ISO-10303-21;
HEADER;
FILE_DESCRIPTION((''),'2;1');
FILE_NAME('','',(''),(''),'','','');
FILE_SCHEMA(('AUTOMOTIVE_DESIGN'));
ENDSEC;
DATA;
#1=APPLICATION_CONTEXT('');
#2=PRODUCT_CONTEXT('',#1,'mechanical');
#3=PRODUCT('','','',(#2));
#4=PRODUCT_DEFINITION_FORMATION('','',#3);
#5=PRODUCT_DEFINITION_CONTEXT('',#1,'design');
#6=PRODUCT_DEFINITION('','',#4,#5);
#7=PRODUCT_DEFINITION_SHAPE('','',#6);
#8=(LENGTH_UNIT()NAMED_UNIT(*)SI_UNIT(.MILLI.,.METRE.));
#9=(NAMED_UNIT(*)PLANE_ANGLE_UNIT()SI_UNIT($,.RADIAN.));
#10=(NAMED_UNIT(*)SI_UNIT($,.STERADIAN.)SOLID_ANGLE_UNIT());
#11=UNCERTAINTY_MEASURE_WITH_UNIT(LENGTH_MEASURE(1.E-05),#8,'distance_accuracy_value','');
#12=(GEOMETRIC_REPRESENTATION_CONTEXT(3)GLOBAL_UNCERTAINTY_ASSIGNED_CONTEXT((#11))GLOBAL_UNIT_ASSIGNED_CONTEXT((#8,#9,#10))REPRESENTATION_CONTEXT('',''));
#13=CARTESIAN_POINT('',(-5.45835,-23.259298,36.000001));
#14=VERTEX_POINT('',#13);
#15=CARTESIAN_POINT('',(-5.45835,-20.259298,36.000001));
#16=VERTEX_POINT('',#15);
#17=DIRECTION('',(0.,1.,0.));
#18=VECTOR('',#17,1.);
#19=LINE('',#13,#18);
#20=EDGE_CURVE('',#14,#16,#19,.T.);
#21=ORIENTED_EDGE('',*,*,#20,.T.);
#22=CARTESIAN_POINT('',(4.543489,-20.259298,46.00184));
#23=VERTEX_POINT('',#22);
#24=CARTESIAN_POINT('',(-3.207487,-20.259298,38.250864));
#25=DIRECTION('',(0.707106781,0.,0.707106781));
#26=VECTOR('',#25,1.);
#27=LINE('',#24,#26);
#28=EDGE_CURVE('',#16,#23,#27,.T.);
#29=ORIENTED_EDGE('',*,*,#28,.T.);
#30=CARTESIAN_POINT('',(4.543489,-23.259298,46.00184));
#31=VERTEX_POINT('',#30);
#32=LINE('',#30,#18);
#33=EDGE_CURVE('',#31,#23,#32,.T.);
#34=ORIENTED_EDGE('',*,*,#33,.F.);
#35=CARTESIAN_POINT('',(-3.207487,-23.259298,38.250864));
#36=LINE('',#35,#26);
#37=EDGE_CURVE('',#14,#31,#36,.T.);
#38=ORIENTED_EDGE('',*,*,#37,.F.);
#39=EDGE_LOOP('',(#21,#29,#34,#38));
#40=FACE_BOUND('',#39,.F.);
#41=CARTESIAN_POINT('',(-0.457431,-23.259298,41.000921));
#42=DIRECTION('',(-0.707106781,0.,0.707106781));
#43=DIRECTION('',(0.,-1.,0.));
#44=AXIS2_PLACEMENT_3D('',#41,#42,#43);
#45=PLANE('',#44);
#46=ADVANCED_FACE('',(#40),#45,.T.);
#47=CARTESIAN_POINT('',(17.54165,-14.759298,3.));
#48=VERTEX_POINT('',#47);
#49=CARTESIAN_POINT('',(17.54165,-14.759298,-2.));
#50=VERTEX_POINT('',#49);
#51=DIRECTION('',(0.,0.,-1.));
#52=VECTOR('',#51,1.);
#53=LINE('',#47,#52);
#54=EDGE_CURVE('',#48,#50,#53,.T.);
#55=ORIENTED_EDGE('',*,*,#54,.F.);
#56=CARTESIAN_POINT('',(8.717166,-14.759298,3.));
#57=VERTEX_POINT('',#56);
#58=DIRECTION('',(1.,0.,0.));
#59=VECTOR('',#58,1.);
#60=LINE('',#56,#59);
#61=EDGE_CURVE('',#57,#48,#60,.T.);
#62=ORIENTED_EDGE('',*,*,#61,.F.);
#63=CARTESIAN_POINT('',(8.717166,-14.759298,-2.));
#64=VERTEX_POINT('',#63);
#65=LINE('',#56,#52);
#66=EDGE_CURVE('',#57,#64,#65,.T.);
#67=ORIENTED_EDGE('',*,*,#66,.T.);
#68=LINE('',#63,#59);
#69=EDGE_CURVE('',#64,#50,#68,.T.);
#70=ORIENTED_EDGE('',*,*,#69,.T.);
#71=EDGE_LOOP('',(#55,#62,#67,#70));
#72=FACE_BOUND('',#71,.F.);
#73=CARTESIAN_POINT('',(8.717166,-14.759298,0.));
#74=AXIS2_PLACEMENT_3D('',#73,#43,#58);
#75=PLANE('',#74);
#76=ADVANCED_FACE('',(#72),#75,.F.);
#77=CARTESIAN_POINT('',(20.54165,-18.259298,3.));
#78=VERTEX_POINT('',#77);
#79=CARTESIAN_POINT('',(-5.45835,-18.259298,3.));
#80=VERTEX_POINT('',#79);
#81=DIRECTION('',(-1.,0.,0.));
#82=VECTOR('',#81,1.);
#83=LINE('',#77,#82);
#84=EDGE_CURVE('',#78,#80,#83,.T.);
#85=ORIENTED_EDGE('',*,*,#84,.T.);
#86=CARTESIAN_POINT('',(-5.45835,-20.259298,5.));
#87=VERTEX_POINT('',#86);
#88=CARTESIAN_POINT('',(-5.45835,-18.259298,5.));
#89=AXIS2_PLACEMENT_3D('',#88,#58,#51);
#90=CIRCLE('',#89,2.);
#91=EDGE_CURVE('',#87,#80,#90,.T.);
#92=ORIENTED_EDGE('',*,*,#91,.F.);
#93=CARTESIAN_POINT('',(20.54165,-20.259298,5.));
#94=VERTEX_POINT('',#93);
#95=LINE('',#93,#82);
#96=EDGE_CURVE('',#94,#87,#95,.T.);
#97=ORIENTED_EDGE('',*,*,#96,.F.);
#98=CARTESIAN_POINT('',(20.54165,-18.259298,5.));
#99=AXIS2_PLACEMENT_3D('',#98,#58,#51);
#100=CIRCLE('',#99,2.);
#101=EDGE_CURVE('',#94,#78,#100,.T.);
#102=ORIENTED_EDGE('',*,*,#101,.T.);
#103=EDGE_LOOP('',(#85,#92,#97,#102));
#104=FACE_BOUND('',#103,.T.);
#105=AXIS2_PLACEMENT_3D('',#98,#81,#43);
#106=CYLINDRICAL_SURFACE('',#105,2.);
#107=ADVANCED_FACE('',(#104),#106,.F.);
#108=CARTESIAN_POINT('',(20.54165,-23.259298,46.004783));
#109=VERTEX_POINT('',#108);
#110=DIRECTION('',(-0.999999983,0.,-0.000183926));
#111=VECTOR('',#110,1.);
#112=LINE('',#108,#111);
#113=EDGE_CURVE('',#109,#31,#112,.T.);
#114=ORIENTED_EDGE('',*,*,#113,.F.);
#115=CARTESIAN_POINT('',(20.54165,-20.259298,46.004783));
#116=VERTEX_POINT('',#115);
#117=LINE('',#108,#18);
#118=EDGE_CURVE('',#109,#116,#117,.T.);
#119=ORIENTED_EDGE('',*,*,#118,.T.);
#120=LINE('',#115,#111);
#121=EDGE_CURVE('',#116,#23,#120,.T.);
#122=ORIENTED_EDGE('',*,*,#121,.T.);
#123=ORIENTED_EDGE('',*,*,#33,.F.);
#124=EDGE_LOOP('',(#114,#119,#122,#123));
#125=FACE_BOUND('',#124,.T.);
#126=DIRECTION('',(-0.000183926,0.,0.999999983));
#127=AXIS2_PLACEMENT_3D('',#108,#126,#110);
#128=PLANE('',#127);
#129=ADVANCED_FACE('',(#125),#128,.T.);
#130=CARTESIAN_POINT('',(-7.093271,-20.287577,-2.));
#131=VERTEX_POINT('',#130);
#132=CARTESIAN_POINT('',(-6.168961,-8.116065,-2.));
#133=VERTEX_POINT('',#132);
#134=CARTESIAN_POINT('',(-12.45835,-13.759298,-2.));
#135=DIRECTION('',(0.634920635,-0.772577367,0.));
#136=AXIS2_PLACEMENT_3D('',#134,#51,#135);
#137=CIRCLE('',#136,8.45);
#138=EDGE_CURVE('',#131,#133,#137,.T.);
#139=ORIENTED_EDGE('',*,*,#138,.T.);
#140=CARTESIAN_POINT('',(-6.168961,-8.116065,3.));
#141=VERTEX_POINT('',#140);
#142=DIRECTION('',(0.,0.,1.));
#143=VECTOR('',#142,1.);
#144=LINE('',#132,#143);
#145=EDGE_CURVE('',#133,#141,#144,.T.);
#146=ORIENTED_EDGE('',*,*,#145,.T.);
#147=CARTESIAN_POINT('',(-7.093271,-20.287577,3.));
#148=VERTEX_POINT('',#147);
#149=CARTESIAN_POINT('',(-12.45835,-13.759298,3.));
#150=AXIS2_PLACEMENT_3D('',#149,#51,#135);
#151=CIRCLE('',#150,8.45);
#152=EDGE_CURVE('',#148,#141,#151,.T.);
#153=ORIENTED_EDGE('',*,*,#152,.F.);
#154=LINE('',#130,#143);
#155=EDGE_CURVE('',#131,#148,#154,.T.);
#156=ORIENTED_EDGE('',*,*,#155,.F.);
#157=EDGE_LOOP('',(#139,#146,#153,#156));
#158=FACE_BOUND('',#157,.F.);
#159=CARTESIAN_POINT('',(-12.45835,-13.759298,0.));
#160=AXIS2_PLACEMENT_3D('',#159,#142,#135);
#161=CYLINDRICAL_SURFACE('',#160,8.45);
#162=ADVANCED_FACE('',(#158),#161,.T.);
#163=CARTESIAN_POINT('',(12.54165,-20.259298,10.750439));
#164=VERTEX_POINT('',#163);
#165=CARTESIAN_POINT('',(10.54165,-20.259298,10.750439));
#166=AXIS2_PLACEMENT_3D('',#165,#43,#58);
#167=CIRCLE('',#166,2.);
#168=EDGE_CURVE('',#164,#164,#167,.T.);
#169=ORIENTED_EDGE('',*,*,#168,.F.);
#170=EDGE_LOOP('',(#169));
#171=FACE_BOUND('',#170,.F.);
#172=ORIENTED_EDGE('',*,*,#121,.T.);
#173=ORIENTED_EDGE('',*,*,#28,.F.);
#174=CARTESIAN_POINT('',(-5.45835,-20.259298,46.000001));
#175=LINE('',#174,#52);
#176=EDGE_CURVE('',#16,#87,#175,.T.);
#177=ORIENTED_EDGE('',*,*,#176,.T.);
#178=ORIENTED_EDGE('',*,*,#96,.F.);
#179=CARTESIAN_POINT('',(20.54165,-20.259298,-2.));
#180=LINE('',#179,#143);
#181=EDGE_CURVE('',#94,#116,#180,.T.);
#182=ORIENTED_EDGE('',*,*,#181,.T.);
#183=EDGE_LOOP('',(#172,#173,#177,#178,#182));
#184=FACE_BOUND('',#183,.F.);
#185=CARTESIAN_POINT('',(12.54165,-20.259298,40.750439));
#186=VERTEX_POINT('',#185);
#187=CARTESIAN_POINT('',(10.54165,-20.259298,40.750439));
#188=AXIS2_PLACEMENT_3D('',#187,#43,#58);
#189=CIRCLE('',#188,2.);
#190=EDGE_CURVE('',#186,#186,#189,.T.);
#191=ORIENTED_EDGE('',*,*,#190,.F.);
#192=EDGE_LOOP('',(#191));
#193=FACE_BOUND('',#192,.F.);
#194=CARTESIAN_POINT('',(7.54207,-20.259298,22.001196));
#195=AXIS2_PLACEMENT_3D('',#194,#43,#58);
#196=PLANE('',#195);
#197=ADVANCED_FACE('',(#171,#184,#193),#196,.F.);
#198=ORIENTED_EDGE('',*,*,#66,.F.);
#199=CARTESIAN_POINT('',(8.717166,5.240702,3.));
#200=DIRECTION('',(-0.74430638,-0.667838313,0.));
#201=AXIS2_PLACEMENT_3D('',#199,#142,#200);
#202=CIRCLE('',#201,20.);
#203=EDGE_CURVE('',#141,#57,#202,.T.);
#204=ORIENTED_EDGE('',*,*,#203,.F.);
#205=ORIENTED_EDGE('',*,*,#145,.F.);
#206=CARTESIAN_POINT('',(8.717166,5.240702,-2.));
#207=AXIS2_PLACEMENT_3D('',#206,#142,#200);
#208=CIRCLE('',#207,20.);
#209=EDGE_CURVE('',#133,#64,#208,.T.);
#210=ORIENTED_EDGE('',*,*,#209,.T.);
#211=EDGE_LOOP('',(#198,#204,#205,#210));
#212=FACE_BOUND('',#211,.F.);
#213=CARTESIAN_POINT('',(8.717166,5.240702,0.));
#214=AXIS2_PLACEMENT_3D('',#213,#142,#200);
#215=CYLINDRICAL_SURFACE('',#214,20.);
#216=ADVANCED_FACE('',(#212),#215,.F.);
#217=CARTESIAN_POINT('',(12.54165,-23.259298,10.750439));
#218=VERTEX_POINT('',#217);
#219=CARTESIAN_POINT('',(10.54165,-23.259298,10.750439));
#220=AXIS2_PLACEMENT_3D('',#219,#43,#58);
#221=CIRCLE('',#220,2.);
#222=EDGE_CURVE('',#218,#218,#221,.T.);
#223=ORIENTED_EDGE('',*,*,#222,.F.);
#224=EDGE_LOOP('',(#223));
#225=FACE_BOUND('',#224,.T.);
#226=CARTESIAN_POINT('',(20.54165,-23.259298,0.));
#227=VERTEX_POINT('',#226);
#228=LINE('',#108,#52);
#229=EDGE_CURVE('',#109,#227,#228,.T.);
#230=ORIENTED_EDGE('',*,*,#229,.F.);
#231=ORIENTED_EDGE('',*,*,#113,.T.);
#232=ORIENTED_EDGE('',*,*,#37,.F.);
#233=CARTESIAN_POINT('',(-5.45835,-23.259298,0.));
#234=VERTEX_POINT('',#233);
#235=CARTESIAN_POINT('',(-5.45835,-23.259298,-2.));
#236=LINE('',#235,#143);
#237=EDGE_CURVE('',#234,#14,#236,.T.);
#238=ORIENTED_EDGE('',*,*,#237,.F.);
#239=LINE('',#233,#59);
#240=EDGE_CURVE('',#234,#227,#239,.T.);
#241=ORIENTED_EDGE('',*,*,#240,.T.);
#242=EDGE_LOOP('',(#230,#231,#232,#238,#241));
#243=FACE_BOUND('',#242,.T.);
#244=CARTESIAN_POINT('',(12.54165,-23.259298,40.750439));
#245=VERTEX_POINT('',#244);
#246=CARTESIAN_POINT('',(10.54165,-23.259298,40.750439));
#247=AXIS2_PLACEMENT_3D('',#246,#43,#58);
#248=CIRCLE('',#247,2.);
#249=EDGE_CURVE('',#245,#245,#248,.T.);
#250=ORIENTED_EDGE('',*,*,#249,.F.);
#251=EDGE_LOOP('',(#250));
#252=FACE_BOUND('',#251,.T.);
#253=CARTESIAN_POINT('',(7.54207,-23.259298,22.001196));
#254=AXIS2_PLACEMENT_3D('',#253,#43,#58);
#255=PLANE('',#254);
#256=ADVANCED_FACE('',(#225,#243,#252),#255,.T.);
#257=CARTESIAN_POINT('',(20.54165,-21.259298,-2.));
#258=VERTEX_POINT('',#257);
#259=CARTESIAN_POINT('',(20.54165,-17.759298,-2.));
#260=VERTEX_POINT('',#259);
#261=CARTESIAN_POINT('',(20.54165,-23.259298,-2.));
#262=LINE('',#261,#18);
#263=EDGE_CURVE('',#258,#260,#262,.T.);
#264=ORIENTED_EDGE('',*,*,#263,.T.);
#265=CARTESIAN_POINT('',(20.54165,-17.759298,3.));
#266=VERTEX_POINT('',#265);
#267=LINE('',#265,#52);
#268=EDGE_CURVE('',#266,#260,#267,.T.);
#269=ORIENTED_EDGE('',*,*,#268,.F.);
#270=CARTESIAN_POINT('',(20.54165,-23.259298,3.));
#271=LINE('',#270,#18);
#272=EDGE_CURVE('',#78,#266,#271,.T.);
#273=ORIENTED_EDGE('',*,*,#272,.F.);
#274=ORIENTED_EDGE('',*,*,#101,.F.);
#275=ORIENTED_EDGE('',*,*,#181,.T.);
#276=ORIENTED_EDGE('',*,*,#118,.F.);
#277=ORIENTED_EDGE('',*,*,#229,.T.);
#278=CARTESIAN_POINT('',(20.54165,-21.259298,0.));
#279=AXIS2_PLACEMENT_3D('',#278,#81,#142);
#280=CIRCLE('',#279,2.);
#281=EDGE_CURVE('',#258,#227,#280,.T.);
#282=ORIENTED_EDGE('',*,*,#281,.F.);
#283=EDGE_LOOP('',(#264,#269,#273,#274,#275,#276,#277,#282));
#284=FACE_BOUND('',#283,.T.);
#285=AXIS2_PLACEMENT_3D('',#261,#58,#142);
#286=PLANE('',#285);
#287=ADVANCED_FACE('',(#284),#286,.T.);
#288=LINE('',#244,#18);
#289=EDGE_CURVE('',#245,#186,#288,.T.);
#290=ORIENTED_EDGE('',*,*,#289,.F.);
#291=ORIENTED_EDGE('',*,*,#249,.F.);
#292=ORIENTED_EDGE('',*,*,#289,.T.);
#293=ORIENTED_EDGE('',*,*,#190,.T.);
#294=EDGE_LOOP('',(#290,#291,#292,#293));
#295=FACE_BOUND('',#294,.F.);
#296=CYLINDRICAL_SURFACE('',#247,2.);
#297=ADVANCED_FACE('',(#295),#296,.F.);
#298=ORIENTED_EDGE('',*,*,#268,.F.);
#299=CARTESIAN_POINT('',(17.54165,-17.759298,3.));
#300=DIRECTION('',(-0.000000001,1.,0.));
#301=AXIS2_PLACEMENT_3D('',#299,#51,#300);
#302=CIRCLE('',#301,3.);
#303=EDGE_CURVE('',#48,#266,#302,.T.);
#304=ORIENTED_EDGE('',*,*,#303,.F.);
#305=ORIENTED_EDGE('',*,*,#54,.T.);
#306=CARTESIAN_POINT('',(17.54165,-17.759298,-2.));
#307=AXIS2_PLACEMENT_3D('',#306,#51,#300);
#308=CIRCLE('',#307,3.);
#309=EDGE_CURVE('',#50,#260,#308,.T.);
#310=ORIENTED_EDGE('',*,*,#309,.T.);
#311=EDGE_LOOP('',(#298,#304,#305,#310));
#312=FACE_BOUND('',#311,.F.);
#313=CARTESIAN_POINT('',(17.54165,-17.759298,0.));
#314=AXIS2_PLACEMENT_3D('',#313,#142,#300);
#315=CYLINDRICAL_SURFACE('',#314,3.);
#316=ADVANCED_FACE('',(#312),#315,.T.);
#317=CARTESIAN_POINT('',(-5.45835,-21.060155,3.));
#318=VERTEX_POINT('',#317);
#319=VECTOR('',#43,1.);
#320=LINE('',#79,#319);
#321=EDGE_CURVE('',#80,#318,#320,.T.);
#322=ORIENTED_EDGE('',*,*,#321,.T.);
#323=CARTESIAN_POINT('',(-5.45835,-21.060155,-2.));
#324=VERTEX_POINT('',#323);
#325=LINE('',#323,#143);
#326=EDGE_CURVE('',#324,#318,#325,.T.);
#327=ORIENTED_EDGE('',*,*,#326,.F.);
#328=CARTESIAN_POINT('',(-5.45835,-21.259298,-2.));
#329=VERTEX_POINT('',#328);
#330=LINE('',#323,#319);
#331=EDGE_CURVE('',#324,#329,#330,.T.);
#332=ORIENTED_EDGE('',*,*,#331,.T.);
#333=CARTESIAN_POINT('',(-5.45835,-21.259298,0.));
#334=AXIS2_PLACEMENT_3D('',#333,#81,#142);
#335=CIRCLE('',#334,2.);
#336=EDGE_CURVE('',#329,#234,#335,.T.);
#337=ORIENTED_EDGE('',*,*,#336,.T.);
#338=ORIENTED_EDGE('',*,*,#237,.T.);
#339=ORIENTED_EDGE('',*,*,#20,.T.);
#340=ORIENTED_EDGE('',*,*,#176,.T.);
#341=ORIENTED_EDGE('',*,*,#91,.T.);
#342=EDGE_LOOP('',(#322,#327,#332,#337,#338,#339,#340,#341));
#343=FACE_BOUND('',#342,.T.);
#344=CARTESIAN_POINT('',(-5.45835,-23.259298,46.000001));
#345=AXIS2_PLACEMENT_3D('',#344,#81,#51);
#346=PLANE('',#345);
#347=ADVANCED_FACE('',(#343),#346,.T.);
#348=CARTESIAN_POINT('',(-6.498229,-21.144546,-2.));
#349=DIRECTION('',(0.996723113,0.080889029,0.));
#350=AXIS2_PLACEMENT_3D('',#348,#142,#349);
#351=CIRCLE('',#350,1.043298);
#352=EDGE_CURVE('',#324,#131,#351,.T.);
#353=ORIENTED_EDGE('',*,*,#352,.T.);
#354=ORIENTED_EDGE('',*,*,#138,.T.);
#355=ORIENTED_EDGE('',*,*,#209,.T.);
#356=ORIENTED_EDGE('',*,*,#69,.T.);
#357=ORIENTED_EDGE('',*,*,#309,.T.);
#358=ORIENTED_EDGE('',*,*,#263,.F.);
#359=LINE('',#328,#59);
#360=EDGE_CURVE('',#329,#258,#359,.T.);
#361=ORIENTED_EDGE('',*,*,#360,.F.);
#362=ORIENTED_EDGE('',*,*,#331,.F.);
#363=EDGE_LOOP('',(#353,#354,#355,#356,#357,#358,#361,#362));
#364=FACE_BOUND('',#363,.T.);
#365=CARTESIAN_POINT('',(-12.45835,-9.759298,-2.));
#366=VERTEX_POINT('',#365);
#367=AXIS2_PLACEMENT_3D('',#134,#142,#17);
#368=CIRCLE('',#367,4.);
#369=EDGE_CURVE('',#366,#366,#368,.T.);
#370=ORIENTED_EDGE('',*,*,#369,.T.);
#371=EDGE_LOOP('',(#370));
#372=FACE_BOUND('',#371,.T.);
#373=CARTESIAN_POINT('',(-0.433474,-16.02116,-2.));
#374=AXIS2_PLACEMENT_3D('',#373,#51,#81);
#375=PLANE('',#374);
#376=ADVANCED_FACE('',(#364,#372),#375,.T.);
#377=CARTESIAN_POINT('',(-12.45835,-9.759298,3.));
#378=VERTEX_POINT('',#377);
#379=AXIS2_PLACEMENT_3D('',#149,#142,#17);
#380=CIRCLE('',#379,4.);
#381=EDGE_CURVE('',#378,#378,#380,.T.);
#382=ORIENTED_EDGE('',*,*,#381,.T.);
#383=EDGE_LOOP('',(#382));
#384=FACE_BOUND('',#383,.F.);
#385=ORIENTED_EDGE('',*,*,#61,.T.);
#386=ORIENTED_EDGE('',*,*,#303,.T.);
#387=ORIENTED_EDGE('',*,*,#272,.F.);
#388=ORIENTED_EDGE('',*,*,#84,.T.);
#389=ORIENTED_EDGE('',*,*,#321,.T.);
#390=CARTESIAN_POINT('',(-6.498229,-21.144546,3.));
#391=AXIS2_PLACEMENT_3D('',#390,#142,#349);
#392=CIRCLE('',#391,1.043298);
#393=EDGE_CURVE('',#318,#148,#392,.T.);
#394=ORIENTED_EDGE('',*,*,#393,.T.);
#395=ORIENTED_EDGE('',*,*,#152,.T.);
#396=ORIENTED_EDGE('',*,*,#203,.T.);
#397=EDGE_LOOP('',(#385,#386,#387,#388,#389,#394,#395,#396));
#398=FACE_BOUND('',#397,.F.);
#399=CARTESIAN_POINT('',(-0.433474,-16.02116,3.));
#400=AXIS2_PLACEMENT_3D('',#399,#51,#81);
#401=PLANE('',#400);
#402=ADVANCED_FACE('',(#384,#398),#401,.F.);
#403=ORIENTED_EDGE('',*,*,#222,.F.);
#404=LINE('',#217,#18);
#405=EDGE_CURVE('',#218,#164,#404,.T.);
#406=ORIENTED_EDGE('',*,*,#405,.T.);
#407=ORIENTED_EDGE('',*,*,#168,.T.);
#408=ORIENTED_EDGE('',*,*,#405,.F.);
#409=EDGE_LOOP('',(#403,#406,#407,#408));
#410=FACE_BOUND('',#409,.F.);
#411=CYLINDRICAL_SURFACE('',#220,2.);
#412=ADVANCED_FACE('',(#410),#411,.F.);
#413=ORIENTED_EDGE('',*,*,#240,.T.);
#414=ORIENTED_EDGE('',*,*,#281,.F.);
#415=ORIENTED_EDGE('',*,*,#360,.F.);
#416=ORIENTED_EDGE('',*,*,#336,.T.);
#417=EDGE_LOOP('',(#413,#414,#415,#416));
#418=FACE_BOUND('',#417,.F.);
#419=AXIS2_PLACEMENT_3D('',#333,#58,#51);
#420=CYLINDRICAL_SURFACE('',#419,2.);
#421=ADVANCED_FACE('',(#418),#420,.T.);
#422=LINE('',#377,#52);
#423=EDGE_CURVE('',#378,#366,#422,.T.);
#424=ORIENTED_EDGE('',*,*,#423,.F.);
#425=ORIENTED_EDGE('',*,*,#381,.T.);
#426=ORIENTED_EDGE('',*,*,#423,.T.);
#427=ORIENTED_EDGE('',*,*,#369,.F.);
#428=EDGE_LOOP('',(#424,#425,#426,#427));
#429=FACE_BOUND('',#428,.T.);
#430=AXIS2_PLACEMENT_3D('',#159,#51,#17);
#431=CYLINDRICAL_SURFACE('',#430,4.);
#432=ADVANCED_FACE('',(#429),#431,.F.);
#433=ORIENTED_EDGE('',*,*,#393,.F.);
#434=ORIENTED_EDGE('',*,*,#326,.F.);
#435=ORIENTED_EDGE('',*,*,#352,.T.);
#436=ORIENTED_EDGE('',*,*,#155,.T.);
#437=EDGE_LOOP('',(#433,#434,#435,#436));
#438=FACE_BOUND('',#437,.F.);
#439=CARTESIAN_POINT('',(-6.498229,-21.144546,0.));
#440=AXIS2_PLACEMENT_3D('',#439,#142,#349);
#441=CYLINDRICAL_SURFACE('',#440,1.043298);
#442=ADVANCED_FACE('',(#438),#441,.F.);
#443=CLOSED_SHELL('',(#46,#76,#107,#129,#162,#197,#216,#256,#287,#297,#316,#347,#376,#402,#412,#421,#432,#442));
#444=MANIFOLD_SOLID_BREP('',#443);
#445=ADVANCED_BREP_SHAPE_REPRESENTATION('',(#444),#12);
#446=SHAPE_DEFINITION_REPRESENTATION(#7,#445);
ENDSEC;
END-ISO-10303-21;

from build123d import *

# Parameters (mm, degrees)
EXTRUDE_1_DEPTH      = 3
EXTRUDE_1_DEPTH_BACK = 2
SKETCH_2_R           = 2
EXTRUDE_2_DEPTH      = 3
FILLET_1_R           = 2
CHAMFER_1_SIZE2      = 10.001839768
CHAMFER_1_SIZE       = 10
FILLET_2_R           = 2


with BuildPart() as part:
    # 草图1 → 凸台-拉伸1 (new body, two sides)
    with BuildSketch(Plane.XY) as extrude_1_sk:
        with BuildLine():
            ThreePointArc((-6.1689615, -8.116064678), (0.566562607, -13.023133247), (8.717166108, -14.759298421))
            Line((8.717166108, -14.759298421), (17.541649585, -14.759298421))
            ThreePointArc((17.541649585, -14.759298421), (19.662969929, -15.637978077), (20.541649585, -17.759298421))
            Line((20.541649585, -17.759298421), (20.541649585, -21.259298421))
            Line((20.541649585, -21.259298421), (-5.458350415, -21.259298421))
            Line((-5.458350415, -21.259298421), (-5.458350415, -21.060154535))
            ThreePointArc((-5.458350415, -21.060154535), (-6.052483902, -20.201263808), (-7.093271049, -20.287577169))
            ThreePointArc((-7.093271049, -20.287577169), (-20.884089955, -13.119444375), (-6.1689615, -8.116064678))
        make_face()
        with BuildLine():
            ThreePointArc((-12.458350415, -17.759298421), (-8.458350415, -13.759298421), (-12.458350415, -9.759298421))
            ThreePointArc((-12.458350415, -9.759298421), (-16.458350415, -13.759298421), (-12.458350415, -17.759298421))
        make_face(mode=Mode.SUBTRACT)
        Polygon((18.541649585, -23.259298421), (-3.458350415, -23.259298421), (-5.458350415, -23.259298421), (-5.458350415, -21.259298421), (20.541649585, -21.259298421), (20.541649585, -23.259298421), align=None)
    extrude(amount=EXTRUDE_1_DEPTH)
    extrude(extrude_1_sk.sketch, amount=-EXTRUDE_1_DEPTH_BACK)

    # 草图2 → 凸台-拉伸2 (add)
    with BuildSketch(Plane.XZ.offset(23.259298421)):
        Polygon((20.541649585, 46.004782855), (-5.458350415, 46.000000778), (-5.458350415, 2), (-5.458350415, -2), (20.541649585, -2), align=None)
        with Locations((10.541649585, 40.750439451)):
            Circle(SKETCH_2_R, mode=Mode.SUBTRACT)
        with Locations((10.541649585, 10.750439451)):
            Circle(SKETCH_2_R, mode=Mode.SUBTRACT)
    extrude(amount=-EXTRUDE_2_DEPTH)

    # 圆角1
    fillet_1_edges = [part.edges().sort_by_distance(p)[0] for p in [
        (7.541649585, -23.259298421, -2),
    ]]
    fillet(fillet_1_edges, radius=FILLET_1_R)

    # 倒角1
    chamfer_1_edges = [part.edges().sort_by_distance(p)[0] for p in [
        (-5.458350415, -21.759298421, 46.000000778),
    ]]
    chamfer(chamfer_1_edges, length=CHAMFER_1_SIZE, length2=CHAMFER_1_SIZE2)

    # 圆角2
    fillet_2_edges = [part.edges().sort_by_distance(p)[0] for p in [
        (7.541649585, -20.259298421, 3),
    ]]
    fillet(fillet_2_edges, radius=FILLET_2_R)


solid = part.part
